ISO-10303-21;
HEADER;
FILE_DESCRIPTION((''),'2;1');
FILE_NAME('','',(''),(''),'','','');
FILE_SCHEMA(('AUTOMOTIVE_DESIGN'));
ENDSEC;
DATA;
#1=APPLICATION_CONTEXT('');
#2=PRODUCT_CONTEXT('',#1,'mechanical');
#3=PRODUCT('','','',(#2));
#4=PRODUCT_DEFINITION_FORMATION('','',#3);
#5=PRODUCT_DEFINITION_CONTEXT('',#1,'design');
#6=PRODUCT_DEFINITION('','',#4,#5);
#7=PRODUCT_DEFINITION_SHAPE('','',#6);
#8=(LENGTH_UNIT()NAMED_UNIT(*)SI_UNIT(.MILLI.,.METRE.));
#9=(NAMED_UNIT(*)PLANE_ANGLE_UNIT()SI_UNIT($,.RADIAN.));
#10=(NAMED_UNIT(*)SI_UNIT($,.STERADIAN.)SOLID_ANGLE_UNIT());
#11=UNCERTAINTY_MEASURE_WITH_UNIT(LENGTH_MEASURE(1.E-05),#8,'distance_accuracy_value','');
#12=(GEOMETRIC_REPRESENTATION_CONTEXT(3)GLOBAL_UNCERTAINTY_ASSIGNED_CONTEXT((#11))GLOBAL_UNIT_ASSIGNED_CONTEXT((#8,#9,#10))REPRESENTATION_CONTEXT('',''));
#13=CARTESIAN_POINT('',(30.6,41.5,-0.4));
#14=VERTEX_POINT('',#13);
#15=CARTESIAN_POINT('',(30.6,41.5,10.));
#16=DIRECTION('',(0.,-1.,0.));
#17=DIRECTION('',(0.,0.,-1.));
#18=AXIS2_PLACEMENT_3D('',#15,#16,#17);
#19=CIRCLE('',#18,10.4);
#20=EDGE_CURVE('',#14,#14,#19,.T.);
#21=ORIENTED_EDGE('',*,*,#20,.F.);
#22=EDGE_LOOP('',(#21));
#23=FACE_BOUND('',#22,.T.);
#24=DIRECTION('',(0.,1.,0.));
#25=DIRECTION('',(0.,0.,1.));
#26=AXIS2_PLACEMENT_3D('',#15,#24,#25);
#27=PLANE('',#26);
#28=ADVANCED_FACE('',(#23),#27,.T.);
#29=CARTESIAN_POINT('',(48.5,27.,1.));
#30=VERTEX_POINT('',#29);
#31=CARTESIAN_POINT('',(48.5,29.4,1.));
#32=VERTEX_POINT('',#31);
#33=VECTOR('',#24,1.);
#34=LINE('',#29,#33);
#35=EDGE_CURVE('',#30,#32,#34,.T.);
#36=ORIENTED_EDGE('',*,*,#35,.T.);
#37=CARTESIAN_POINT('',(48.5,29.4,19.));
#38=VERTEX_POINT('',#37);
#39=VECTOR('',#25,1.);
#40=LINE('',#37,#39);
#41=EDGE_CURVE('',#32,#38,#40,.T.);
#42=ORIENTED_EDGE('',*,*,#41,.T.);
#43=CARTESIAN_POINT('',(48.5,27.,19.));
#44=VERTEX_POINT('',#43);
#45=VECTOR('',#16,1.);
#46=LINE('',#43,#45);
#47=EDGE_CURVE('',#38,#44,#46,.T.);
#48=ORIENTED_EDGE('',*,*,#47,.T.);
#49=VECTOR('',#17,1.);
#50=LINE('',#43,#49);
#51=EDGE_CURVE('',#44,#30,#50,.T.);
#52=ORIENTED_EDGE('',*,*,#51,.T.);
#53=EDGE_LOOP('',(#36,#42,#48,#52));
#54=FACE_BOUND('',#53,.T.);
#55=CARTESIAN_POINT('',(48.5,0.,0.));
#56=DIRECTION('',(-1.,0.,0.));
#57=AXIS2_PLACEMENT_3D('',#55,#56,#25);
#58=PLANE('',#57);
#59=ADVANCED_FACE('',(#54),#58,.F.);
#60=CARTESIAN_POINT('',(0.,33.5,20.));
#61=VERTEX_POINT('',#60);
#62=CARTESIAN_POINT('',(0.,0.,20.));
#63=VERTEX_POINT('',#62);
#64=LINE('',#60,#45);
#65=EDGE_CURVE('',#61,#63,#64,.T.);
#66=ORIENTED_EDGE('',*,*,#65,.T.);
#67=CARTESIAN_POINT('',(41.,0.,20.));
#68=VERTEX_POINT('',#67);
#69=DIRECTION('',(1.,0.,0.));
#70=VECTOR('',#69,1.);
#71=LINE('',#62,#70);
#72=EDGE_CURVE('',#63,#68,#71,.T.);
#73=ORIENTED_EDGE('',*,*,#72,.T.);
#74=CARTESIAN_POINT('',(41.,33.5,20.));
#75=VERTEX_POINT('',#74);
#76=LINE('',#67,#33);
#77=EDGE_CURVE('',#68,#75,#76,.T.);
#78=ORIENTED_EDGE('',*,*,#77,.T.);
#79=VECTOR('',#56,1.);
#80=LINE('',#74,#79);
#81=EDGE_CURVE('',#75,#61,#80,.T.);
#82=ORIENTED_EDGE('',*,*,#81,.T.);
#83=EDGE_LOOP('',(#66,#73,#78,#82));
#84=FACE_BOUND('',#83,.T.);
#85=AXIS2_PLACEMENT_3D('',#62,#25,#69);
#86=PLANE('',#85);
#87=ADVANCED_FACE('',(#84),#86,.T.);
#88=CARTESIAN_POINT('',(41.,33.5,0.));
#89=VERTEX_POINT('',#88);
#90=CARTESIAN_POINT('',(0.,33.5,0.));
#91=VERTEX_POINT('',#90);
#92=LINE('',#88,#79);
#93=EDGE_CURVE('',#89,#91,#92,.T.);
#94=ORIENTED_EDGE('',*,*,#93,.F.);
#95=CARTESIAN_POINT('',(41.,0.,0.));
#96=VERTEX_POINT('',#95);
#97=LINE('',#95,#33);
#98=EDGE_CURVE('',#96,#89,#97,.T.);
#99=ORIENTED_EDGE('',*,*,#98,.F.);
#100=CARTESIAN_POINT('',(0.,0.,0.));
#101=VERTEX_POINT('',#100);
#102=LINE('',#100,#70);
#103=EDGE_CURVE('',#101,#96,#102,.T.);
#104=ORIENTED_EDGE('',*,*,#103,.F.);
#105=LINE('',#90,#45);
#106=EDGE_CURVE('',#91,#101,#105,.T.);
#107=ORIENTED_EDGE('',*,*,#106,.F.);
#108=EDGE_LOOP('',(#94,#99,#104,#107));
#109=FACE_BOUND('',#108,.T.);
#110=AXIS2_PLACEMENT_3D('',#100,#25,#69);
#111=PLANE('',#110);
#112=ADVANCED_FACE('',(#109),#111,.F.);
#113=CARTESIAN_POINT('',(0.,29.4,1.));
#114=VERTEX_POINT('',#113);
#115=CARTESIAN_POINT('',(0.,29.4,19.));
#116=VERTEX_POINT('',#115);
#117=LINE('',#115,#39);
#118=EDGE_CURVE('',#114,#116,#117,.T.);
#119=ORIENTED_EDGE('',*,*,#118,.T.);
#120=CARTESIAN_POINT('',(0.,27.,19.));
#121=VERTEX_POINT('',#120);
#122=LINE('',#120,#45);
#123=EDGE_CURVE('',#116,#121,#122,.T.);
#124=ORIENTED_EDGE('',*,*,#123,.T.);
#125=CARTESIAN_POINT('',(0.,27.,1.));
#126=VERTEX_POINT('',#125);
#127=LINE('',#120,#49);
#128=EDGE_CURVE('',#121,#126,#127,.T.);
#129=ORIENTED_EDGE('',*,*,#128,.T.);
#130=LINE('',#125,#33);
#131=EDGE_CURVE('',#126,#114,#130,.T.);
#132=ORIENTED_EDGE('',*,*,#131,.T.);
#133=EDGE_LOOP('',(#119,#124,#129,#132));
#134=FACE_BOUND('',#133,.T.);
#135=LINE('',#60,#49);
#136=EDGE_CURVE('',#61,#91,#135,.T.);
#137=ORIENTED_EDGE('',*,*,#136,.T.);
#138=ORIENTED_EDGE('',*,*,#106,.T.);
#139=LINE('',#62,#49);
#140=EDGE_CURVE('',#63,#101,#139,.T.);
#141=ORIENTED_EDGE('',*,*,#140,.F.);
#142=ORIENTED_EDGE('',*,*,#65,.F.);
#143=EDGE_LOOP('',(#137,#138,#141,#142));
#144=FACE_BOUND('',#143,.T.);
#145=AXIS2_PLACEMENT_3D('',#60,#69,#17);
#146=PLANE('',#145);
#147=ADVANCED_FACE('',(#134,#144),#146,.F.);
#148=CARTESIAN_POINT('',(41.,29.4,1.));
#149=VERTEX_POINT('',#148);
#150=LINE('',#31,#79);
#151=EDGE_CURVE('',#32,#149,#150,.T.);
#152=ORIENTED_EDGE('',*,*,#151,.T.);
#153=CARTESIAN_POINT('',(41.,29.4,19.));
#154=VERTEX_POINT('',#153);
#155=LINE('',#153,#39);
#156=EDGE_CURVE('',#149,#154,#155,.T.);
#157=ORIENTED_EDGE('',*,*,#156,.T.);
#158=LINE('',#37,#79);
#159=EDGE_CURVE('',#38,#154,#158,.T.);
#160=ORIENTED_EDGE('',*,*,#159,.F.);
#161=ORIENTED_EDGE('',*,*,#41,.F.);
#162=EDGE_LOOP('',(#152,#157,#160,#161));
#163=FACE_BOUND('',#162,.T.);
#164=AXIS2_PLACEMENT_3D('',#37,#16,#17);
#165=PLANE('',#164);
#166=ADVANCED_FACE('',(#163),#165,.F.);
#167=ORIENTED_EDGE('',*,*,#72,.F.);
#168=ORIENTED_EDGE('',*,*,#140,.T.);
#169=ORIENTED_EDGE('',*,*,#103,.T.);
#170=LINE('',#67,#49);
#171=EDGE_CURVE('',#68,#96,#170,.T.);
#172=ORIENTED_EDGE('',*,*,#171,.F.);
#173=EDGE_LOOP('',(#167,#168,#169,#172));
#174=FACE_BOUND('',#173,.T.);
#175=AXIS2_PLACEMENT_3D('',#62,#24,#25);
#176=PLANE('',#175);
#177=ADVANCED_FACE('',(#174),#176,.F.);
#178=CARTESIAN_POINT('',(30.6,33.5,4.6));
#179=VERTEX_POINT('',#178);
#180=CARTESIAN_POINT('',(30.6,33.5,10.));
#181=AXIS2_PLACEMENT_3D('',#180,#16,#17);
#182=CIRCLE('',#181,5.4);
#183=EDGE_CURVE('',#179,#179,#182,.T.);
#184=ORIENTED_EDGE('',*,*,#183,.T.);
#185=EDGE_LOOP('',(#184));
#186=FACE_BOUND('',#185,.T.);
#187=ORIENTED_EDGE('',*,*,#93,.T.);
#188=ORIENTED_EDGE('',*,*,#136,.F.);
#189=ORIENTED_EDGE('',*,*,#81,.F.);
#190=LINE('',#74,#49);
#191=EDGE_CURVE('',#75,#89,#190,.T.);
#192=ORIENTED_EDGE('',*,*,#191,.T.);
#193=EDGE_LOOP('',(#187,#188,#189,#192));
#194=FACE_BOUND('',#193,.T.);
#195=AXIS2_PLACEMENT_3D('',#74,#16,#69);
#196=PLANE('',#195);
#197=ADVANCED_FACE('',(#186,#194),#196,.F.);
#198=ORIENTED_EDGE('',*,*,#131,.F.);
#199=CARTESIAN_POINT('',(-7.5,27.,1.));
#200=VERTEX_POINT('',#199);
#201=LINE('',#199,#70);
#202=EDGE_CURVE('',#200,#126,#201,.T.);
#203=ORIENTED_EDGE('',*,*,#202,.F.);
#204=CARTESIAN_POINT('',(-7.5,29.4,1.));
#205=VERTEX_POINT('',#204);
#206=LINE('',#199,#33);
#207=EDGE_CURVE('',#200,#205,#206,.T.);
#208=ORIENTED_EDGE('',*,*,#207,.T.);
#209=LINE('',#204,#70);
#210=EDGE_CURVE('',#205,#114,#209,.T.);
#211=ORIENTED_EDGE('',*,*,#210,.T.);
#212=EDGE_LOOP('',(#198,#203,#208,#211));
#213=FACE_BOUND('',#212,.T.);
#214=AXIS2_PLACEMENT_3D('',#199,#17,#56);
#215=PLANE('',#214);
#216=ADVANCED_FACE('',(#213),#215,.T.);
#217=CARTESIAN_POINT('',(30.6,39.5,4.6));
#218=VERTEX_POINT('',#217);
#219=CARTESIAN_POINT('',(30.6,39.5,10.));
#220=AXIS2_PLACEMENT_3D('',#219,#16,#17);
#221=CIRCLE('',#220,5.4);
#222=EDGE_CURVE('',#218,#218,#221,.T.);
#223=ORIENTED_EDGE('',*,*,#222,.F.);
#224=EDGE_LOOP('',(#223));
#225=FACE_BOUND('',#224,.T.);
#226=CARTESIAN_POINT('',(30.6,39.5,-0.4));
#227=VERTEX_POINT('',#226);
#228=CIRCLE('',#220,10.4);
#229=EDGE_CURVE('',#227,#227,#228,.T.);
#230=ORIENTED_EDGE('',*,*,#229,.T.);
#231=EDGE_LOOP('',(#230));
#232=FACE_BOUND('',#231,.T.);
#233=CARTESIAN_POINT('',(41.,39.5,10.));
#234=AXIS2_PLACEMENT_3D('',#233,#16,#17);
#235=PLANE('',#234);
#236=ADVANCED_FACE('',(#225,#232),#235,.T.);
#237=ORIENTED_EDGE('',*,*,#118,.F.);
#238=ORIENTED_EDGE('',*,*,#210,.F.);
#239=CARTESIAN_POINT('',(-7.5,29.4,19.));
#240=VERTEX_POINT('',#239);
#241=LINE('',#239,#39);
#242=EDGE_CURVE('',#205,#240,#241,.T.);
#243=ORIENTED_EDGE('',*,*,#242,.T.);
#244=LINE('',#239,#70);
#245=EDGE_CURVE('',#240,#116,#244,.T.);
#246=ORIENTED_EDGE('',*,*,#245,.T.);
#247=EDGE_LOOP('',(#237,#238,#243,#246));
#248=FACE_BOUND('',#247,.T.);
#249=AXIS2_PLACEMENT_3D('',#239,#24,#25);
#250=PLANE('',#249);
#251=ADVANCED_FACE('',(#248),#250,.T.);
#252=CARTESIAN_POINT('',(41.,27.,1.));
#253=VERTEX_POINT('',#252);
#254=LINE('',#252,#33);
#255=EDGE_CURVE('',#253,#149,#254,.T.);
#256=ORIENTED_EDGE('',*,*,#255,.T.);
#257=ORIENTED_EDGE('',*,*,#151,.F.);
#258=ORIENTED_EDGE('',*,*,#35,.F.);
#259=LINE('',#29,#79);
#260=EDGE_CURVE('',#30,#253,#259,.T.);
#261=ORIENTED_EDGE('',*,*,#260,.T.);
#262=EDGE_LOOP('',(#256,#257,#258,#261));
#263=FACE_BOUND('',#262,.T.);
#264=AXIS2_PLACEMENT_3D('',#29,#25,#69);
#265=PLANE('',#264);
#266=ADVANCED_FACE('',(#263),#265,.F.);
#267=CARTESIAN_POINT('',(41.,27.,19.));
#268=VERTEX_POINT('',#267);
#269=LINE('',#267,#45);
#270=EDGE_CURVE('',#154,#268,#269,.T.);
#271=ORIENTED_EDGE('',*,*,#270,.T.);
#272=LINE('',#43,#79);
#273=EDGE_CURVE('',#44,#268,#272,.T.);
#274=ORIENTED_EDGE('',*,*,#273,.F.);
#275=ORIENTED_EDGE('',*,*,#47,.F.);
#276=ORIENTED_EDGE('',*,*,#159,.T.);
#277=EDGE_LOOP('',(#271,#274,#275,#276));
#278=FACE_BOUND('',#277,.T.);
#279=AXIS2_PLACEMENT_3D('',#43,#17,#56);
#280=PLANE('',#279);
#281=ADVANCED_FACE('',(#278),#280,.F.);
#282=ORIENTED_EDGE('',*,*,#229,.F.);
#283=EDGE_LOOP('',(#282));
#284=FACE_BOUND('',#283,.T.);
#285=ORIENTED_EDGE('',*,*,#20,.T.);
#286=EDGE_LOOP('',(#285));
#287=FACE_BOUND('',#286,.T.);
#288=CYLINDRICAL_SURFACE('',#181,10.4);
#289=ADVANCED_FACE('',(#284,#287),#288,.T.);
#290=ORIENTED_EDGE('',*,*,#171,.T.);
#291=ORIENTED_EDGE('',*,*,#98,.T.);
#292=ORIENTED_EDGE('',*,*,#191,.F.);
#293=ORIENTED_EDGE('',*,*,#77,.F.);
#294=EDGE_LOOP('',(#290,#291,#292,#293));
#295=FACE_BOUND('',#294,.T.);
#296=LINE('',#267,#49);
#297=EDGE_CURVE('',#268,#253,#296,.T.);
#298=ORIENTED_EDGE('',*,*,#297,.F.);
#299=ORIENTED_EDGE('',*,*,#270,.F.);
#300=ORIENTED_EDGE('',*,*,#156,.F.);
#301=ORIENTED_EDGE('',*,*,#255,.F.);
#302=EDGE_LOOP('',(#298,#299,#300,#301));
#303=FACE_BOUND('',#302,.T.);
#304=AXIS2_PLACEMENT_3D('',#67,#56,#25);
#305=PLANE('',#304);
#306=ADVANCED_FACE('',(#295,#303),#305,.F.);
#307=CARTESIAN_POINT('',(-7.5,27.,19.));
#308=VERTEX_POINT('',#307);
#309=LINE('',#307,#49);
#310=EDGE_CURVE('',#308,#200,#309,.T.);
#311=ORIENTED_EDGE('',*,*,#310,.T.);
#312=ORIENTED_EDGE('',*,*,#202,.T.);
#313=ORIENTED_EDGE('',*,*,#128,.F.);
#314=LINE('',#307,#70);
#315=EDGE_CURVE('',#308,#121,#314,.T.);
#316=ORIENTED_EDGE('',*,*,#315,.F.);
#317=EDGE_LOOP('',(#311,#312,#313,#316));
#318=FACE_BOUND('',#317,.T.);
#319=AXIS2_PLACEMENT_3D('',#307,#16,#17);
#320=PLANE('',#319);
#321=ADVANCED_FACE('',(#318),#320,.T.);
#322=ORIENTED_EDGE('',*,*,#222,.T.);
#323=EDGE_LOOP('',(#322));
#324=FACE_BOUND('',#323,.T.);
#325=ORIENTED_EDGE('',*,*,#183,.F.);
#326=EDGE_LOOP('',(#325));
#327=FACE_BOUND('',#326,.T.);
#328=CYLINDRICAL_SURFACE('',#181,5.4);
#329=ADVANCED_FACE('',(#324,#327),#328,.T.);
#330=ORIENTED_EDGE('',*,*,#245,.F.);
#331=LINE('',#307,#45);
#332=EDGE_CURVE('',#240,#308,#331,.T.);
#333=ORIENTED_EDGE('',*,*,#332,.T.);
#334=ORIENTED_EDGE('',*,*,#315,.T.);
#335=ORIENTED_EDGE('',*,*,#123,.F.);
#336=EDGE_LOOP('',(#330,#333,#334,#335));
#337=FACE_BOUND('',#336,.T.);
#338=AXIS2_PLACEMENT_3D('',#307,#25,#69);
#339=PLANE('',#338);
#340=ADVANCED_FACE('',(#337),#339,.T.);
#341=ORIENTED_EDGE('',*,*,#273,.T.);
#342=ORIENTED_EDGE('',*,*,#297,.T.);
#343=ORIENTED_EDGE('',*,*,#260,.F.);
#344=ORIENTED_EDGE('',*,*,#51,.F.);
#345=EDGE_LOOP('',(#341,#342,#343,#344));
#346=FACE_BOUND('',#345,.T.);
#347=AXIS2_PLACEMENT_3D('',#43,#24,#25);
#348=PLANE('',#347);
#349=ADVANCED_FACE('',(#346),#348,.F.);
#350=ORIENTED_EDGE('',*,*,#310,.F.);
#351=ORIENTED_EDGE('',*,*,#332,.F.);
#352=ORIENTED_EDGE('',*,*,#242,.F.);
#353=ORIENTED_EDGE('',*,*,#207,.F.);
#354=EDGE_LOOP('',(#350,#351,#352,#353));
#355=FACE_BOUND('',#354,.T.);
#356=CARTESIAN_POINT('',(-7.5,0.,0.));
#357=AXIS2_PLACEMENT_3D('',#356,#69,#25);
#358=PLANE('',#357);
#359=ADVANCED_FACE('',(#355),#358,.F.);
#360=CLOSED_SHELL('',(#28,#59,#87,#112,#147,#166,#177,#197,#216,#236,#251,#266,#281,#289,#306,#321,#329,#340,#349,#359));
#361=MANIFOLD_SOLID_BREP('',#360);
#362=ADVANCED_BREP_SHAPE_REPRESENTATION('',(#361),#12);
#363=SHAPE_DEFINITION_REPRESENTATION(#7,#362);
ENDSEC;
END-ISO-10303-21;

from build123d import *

# Parameters (mm, degrees)
SKETCH1_W           = 41
SKETCH1_H           = 33.5
BOSS_EXTRUDE1_DEPTH = 20
SKETCH3_W           = 18
SKETCH3_H           = 2.4
BOSS_EXTRUDE2_DEPTH = 7.5


with BuildPart() as part:
    # Sketch1 → Boss-Extrude1 (new body)
    with BuildSketch(Plane.XY):
        with Locations((20.5, 16.75)):
            Rectangle(SKETCH1_W, SKETCH1_H)
    extrude(amount=BOSS_EXTRUDE1_DEPTH)

    # Sketch3 → Boss-Extrude2 (add)
    with BuildSketch(Plane(origin=(41, 0, 0), x_dir=(0, 0, -1), z_dir=(1, 0, 0))):
        with Locations((-10, 28.2)):
            Rectangle(SKETCH3_W, SKETCH3_H)
    boss_extrude2 = extrude(amount=BOSS_EXTRUDE2_DEPTH)

    # Mirror1: Boss-Extrude2 across plane
    add(boss_extrude2.mirror(Plane(origin=(20.5, 0, 0), x_dir=(0, 0, 1), z_dir=(1, 0, 0))))

    # Sketch5 → Revolve1 (revolve)
    with BuildSketch(Plane.XY.offset(10), mode=Mode.PRIVATE) as revolve1_sk:
        Polygon((30.6, 33.5), (30.6, 41.5), (41, 41.5), (41, 39.5), (36, 39.5), (36, 33.5), align=None)
    revolve(revolve1_sk.sketch.rotate(Axis((30.6, 33.5, 10), (0, 1, 0)), 90), axis=Axis((30.6, 33.5, 10), (0, 1, 0)))


solid = part.part
